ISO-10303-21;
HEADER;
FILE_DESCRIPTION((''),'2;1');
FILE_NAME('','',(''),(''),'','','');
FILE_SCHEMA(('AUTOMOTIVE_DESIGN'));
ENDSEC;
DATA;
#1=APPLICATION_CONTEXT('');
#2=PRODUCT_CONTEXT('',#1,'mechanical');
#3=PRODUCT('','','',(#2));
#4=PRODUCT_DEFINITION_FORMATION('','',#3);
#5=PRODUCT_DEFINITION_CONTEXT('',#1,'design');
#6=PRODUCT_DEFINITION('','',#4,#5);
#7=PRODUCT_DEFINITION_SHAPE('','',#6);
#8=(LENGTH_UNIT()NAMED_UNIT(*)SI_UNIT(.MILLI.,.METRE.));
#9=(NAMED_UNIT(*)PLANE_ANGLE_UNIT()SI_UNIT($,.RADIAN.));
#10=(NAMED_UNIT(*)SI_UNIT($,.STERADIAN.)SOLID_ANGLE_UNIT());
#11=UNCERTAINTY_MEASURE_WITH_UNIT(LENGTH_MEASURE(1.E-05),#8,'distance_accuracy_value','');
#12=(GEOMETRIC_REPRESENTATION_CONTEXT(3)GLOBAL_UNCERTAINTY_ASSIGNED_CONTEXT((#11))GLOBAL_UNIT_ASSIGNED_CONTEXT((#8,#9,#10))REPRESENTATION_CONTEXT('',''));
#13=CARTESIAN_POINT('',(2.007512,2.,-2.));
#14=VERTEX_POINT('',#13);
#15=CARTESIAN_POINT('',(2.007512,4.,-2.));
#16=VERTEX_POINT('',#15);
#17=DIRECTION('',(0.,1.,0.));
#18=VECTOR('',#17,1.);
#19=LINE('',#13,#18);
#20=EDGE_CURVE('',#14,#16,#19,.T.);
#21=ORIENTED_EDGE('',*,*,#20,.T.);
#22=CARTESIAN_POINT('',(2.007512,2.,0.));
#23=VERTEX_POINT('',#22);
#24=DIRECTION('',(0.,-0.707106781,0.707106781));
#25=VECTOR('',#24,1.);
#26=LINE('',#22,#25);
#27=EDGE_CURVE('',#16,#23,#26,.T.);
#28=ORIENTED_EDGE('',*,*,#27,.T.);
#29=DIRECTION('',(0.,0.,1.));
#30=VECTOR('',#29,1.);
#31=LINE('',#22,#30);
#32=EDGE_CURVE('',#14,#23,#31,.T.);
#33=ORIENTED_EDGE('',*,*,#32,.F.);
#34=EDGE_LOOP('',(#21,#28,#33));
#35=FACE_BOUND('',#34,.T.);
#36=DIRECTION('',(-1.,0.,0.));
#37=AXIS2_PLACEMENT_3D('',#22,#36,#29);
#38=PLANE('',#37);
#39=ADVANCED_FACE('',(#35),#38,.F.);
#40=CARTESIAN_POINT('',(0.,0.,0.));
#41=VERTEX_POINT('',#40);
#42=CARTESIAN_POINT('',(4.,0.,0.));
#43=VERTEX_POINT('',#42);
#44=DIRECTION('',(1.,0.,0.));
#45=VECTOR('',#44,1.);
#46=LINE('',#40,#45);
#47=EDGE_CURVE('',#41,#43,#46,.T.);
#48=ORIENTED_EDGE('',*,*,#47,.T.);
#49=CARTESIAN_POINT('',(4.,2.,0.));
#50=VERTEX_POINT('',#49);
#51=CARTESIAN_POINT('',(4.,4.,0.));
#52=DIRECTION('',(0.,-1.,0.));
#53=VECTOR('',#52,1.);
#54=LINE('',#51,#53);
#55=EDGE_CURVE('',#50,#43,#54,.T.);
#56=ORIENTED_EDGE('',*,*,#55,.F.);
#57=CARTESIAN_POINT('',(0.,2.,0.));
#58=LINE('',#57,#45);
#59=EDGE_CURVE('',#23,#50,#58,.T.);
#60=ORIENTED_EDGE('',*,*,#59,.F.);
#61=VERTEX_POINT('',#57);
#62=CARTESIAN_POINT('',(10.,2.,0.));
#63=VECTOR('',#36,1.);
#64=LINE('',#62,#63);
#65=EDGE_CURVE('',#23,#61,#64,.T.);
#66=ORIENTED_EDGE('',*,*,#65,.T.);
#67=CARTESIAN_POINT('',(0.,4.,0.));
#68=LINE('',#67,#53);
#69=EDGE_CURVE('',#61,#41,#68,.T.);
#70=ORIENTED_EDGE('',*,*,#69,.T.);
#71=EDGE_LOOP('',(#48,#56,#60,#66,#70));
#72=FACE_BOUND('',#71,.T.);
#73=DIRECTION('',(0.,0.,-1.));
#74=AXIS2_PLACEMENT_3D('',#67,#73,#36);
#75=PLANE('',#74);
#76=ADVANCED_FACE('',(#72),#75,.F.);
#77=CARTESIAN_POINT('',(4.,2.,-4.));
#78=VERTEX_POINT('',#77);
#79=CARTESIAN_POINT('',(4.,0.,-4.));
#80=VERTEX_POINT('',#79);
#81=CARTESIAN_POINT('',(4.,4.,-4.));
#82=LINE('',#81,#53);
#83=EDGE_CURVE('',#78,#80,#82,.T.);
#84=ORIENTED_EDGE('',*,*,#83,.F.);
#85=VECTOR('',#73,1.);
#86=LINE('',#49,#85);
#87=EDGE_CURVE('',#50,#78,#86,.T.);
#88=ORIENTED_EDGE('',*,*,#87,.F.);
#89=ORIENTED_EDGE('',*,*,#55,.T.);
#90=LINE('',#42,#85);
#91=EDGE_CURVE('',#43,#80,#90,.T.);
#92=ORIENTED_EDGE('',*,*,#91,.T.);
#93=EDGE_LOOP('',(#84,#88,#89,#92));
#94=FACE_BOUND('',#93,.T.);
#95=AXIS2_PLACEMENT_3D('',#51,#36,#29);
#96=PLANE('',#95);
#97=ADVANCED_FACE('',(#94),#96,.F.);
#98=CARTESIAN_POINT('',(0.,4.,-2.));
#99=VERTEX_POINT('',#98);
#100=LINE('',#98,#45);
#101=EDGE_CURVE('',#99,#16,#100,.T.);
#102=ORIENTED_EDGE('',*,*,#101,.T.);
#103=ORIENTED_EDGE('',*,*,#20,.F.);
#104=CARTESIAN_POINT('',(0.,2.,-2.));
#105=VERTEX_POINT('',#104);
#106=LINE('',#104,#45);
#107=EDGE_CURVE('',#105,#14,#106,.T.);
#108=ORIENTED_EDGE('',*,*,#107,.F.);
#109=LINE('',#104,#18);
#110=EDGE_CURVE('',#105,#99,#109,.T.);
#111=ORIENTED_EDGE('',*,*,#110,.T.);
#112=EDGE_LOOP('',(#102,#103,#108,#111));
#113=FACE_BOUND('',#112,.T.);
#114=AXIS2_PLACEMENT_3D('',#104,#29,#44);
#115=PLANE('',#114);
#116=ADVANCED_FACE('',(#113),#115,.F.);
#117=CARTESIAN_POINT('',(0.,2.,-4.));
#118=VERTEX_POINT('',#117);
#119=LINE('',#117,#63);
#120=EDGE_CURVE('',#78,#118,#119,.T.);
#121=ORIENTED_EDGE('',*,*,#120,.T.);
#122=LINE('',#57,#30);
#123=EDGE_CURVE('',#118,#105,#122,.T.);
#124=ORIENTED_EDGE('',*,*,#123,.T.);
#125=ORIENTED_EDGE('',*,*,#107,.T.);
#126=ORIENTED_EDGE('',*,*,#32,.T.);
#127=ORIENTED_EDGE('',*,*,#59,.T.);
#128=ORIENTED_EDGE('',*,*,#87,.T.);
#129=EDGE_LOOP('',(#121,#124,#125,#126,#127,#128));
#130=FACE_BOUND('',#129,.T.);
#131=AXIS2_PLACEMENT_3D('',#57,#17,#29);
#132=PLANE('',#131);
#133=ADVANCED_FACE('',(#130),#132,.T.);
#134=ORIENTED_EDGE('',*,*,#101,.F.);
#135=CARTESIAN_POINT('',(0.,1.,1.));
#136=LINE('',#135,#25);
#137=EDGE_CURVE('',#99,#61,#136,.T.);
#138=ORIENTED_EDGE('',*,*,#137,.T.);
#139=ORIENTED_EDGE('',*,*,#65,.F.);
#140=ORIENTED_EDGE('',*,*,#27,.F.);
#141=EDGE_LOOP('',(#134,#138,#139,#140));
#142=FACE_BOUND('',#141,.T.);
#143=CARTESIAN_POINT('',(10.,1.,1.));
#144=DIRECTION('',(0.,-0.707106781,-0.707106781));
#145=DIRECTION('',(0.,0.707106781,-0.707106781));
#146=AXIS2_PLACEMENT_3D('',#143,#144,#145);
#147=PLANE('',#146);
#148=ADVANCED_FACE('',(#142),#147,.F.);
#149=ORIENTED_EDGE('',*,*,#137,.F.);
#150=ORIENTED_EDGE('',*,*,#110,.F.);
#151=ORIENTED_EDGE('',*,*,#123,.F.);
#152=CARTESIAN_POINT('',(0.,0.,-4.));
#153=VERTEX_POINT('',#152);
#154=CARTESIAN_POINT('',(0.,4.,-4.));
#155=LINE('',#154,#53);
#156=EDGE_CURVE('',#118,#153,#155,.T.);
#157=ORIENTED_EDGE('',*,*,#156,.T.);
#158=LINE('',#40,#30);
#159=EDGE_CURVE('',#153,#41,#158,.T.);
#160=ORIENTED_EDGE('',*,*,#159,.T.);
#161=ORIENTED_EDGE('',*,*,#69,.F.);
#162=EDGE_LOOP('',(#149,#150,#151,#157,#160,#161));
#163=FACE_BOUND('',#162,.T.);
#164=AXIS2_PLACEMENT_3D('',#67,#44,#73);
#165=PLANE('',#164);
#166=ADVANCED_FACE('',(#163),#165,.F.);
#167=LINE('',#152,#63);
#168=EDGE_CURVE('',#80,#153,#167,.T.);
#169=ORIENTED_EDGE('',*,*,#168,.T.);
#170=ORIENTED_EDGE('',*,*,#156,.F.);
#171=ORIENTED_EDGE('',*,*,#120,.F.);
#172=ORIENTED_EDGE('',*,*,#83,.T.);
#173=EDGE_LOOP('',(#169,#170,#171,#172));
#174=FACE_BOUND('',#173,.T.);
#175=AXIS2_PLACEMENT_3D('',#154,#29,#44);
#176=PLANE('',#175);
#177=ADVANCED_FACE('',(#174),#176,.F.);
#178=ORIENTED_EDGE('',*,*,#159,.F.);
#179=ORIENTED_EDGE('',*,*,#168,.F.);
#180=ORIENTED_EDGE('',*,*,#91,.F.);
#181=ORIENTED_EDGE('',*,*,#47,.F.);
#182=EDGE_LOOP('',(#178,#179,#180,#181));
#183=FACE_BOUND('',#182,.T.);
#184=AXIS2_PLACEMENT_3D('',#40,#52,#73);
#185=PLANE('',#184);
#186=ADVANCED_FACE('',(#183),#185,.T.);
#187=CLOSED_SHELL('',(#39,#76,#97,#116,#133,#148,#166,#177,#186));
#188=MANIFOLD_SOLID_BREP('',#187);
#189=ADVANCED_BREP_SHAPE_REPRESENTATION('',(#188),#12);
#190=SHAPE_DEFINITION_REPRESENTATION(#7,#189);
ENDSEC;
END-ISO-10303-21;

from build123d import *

# Parameters (mm, degrees)
SKETCH1_W           = 4
SKETCH1_H           = 4
BOSS_EXTRUDE1_DEPTH = 4
CUT_EXTRUDE1_DEPTH  = 2
CUT_EXTRUDE2_DEPTH  = 10


with BuildPart() as part:
    # Sketch1 → Boss-Extrude1 (new body)
    with BuildSketch(Plane(origin=(0, 0, 0), x_dir=(1, 0, 0), z_dir=(0, 1, 0))):
        with Locations((2, 2)):
            Rectangle(SKETCH1_W, SKETCH1_H)
    extrude(amount=BOSS_EXTRUDE1_DEPTH)

    # Sketch2 → Cut-Extrude1 (cut)
    with BuildSketch(Plane(origin=(0, 4, 0), x_dir=(1, 0, 0), z_dir=(0, 1, 0))):
        Polygon((0, 4), (0, 2), (2.007512108, 2), (2.007512108, 0), (4, 0), (4, 4), align=None)
    extrude(amount=-CUT_EXTRUDE1_DEPTH, mode=Mode.SUBTRACT)

    # Sketch3 → Cut-Extrude2 (cut)
    with BuildSketch(Plane.ZY):
        Polygon((0, 4), (-2, 4), (0, 2), align=None)
    extrude(amount=-CUT_EXTRUDE2_DEPTH, mode=Mode.SUBTRACT)


solid = part.part
